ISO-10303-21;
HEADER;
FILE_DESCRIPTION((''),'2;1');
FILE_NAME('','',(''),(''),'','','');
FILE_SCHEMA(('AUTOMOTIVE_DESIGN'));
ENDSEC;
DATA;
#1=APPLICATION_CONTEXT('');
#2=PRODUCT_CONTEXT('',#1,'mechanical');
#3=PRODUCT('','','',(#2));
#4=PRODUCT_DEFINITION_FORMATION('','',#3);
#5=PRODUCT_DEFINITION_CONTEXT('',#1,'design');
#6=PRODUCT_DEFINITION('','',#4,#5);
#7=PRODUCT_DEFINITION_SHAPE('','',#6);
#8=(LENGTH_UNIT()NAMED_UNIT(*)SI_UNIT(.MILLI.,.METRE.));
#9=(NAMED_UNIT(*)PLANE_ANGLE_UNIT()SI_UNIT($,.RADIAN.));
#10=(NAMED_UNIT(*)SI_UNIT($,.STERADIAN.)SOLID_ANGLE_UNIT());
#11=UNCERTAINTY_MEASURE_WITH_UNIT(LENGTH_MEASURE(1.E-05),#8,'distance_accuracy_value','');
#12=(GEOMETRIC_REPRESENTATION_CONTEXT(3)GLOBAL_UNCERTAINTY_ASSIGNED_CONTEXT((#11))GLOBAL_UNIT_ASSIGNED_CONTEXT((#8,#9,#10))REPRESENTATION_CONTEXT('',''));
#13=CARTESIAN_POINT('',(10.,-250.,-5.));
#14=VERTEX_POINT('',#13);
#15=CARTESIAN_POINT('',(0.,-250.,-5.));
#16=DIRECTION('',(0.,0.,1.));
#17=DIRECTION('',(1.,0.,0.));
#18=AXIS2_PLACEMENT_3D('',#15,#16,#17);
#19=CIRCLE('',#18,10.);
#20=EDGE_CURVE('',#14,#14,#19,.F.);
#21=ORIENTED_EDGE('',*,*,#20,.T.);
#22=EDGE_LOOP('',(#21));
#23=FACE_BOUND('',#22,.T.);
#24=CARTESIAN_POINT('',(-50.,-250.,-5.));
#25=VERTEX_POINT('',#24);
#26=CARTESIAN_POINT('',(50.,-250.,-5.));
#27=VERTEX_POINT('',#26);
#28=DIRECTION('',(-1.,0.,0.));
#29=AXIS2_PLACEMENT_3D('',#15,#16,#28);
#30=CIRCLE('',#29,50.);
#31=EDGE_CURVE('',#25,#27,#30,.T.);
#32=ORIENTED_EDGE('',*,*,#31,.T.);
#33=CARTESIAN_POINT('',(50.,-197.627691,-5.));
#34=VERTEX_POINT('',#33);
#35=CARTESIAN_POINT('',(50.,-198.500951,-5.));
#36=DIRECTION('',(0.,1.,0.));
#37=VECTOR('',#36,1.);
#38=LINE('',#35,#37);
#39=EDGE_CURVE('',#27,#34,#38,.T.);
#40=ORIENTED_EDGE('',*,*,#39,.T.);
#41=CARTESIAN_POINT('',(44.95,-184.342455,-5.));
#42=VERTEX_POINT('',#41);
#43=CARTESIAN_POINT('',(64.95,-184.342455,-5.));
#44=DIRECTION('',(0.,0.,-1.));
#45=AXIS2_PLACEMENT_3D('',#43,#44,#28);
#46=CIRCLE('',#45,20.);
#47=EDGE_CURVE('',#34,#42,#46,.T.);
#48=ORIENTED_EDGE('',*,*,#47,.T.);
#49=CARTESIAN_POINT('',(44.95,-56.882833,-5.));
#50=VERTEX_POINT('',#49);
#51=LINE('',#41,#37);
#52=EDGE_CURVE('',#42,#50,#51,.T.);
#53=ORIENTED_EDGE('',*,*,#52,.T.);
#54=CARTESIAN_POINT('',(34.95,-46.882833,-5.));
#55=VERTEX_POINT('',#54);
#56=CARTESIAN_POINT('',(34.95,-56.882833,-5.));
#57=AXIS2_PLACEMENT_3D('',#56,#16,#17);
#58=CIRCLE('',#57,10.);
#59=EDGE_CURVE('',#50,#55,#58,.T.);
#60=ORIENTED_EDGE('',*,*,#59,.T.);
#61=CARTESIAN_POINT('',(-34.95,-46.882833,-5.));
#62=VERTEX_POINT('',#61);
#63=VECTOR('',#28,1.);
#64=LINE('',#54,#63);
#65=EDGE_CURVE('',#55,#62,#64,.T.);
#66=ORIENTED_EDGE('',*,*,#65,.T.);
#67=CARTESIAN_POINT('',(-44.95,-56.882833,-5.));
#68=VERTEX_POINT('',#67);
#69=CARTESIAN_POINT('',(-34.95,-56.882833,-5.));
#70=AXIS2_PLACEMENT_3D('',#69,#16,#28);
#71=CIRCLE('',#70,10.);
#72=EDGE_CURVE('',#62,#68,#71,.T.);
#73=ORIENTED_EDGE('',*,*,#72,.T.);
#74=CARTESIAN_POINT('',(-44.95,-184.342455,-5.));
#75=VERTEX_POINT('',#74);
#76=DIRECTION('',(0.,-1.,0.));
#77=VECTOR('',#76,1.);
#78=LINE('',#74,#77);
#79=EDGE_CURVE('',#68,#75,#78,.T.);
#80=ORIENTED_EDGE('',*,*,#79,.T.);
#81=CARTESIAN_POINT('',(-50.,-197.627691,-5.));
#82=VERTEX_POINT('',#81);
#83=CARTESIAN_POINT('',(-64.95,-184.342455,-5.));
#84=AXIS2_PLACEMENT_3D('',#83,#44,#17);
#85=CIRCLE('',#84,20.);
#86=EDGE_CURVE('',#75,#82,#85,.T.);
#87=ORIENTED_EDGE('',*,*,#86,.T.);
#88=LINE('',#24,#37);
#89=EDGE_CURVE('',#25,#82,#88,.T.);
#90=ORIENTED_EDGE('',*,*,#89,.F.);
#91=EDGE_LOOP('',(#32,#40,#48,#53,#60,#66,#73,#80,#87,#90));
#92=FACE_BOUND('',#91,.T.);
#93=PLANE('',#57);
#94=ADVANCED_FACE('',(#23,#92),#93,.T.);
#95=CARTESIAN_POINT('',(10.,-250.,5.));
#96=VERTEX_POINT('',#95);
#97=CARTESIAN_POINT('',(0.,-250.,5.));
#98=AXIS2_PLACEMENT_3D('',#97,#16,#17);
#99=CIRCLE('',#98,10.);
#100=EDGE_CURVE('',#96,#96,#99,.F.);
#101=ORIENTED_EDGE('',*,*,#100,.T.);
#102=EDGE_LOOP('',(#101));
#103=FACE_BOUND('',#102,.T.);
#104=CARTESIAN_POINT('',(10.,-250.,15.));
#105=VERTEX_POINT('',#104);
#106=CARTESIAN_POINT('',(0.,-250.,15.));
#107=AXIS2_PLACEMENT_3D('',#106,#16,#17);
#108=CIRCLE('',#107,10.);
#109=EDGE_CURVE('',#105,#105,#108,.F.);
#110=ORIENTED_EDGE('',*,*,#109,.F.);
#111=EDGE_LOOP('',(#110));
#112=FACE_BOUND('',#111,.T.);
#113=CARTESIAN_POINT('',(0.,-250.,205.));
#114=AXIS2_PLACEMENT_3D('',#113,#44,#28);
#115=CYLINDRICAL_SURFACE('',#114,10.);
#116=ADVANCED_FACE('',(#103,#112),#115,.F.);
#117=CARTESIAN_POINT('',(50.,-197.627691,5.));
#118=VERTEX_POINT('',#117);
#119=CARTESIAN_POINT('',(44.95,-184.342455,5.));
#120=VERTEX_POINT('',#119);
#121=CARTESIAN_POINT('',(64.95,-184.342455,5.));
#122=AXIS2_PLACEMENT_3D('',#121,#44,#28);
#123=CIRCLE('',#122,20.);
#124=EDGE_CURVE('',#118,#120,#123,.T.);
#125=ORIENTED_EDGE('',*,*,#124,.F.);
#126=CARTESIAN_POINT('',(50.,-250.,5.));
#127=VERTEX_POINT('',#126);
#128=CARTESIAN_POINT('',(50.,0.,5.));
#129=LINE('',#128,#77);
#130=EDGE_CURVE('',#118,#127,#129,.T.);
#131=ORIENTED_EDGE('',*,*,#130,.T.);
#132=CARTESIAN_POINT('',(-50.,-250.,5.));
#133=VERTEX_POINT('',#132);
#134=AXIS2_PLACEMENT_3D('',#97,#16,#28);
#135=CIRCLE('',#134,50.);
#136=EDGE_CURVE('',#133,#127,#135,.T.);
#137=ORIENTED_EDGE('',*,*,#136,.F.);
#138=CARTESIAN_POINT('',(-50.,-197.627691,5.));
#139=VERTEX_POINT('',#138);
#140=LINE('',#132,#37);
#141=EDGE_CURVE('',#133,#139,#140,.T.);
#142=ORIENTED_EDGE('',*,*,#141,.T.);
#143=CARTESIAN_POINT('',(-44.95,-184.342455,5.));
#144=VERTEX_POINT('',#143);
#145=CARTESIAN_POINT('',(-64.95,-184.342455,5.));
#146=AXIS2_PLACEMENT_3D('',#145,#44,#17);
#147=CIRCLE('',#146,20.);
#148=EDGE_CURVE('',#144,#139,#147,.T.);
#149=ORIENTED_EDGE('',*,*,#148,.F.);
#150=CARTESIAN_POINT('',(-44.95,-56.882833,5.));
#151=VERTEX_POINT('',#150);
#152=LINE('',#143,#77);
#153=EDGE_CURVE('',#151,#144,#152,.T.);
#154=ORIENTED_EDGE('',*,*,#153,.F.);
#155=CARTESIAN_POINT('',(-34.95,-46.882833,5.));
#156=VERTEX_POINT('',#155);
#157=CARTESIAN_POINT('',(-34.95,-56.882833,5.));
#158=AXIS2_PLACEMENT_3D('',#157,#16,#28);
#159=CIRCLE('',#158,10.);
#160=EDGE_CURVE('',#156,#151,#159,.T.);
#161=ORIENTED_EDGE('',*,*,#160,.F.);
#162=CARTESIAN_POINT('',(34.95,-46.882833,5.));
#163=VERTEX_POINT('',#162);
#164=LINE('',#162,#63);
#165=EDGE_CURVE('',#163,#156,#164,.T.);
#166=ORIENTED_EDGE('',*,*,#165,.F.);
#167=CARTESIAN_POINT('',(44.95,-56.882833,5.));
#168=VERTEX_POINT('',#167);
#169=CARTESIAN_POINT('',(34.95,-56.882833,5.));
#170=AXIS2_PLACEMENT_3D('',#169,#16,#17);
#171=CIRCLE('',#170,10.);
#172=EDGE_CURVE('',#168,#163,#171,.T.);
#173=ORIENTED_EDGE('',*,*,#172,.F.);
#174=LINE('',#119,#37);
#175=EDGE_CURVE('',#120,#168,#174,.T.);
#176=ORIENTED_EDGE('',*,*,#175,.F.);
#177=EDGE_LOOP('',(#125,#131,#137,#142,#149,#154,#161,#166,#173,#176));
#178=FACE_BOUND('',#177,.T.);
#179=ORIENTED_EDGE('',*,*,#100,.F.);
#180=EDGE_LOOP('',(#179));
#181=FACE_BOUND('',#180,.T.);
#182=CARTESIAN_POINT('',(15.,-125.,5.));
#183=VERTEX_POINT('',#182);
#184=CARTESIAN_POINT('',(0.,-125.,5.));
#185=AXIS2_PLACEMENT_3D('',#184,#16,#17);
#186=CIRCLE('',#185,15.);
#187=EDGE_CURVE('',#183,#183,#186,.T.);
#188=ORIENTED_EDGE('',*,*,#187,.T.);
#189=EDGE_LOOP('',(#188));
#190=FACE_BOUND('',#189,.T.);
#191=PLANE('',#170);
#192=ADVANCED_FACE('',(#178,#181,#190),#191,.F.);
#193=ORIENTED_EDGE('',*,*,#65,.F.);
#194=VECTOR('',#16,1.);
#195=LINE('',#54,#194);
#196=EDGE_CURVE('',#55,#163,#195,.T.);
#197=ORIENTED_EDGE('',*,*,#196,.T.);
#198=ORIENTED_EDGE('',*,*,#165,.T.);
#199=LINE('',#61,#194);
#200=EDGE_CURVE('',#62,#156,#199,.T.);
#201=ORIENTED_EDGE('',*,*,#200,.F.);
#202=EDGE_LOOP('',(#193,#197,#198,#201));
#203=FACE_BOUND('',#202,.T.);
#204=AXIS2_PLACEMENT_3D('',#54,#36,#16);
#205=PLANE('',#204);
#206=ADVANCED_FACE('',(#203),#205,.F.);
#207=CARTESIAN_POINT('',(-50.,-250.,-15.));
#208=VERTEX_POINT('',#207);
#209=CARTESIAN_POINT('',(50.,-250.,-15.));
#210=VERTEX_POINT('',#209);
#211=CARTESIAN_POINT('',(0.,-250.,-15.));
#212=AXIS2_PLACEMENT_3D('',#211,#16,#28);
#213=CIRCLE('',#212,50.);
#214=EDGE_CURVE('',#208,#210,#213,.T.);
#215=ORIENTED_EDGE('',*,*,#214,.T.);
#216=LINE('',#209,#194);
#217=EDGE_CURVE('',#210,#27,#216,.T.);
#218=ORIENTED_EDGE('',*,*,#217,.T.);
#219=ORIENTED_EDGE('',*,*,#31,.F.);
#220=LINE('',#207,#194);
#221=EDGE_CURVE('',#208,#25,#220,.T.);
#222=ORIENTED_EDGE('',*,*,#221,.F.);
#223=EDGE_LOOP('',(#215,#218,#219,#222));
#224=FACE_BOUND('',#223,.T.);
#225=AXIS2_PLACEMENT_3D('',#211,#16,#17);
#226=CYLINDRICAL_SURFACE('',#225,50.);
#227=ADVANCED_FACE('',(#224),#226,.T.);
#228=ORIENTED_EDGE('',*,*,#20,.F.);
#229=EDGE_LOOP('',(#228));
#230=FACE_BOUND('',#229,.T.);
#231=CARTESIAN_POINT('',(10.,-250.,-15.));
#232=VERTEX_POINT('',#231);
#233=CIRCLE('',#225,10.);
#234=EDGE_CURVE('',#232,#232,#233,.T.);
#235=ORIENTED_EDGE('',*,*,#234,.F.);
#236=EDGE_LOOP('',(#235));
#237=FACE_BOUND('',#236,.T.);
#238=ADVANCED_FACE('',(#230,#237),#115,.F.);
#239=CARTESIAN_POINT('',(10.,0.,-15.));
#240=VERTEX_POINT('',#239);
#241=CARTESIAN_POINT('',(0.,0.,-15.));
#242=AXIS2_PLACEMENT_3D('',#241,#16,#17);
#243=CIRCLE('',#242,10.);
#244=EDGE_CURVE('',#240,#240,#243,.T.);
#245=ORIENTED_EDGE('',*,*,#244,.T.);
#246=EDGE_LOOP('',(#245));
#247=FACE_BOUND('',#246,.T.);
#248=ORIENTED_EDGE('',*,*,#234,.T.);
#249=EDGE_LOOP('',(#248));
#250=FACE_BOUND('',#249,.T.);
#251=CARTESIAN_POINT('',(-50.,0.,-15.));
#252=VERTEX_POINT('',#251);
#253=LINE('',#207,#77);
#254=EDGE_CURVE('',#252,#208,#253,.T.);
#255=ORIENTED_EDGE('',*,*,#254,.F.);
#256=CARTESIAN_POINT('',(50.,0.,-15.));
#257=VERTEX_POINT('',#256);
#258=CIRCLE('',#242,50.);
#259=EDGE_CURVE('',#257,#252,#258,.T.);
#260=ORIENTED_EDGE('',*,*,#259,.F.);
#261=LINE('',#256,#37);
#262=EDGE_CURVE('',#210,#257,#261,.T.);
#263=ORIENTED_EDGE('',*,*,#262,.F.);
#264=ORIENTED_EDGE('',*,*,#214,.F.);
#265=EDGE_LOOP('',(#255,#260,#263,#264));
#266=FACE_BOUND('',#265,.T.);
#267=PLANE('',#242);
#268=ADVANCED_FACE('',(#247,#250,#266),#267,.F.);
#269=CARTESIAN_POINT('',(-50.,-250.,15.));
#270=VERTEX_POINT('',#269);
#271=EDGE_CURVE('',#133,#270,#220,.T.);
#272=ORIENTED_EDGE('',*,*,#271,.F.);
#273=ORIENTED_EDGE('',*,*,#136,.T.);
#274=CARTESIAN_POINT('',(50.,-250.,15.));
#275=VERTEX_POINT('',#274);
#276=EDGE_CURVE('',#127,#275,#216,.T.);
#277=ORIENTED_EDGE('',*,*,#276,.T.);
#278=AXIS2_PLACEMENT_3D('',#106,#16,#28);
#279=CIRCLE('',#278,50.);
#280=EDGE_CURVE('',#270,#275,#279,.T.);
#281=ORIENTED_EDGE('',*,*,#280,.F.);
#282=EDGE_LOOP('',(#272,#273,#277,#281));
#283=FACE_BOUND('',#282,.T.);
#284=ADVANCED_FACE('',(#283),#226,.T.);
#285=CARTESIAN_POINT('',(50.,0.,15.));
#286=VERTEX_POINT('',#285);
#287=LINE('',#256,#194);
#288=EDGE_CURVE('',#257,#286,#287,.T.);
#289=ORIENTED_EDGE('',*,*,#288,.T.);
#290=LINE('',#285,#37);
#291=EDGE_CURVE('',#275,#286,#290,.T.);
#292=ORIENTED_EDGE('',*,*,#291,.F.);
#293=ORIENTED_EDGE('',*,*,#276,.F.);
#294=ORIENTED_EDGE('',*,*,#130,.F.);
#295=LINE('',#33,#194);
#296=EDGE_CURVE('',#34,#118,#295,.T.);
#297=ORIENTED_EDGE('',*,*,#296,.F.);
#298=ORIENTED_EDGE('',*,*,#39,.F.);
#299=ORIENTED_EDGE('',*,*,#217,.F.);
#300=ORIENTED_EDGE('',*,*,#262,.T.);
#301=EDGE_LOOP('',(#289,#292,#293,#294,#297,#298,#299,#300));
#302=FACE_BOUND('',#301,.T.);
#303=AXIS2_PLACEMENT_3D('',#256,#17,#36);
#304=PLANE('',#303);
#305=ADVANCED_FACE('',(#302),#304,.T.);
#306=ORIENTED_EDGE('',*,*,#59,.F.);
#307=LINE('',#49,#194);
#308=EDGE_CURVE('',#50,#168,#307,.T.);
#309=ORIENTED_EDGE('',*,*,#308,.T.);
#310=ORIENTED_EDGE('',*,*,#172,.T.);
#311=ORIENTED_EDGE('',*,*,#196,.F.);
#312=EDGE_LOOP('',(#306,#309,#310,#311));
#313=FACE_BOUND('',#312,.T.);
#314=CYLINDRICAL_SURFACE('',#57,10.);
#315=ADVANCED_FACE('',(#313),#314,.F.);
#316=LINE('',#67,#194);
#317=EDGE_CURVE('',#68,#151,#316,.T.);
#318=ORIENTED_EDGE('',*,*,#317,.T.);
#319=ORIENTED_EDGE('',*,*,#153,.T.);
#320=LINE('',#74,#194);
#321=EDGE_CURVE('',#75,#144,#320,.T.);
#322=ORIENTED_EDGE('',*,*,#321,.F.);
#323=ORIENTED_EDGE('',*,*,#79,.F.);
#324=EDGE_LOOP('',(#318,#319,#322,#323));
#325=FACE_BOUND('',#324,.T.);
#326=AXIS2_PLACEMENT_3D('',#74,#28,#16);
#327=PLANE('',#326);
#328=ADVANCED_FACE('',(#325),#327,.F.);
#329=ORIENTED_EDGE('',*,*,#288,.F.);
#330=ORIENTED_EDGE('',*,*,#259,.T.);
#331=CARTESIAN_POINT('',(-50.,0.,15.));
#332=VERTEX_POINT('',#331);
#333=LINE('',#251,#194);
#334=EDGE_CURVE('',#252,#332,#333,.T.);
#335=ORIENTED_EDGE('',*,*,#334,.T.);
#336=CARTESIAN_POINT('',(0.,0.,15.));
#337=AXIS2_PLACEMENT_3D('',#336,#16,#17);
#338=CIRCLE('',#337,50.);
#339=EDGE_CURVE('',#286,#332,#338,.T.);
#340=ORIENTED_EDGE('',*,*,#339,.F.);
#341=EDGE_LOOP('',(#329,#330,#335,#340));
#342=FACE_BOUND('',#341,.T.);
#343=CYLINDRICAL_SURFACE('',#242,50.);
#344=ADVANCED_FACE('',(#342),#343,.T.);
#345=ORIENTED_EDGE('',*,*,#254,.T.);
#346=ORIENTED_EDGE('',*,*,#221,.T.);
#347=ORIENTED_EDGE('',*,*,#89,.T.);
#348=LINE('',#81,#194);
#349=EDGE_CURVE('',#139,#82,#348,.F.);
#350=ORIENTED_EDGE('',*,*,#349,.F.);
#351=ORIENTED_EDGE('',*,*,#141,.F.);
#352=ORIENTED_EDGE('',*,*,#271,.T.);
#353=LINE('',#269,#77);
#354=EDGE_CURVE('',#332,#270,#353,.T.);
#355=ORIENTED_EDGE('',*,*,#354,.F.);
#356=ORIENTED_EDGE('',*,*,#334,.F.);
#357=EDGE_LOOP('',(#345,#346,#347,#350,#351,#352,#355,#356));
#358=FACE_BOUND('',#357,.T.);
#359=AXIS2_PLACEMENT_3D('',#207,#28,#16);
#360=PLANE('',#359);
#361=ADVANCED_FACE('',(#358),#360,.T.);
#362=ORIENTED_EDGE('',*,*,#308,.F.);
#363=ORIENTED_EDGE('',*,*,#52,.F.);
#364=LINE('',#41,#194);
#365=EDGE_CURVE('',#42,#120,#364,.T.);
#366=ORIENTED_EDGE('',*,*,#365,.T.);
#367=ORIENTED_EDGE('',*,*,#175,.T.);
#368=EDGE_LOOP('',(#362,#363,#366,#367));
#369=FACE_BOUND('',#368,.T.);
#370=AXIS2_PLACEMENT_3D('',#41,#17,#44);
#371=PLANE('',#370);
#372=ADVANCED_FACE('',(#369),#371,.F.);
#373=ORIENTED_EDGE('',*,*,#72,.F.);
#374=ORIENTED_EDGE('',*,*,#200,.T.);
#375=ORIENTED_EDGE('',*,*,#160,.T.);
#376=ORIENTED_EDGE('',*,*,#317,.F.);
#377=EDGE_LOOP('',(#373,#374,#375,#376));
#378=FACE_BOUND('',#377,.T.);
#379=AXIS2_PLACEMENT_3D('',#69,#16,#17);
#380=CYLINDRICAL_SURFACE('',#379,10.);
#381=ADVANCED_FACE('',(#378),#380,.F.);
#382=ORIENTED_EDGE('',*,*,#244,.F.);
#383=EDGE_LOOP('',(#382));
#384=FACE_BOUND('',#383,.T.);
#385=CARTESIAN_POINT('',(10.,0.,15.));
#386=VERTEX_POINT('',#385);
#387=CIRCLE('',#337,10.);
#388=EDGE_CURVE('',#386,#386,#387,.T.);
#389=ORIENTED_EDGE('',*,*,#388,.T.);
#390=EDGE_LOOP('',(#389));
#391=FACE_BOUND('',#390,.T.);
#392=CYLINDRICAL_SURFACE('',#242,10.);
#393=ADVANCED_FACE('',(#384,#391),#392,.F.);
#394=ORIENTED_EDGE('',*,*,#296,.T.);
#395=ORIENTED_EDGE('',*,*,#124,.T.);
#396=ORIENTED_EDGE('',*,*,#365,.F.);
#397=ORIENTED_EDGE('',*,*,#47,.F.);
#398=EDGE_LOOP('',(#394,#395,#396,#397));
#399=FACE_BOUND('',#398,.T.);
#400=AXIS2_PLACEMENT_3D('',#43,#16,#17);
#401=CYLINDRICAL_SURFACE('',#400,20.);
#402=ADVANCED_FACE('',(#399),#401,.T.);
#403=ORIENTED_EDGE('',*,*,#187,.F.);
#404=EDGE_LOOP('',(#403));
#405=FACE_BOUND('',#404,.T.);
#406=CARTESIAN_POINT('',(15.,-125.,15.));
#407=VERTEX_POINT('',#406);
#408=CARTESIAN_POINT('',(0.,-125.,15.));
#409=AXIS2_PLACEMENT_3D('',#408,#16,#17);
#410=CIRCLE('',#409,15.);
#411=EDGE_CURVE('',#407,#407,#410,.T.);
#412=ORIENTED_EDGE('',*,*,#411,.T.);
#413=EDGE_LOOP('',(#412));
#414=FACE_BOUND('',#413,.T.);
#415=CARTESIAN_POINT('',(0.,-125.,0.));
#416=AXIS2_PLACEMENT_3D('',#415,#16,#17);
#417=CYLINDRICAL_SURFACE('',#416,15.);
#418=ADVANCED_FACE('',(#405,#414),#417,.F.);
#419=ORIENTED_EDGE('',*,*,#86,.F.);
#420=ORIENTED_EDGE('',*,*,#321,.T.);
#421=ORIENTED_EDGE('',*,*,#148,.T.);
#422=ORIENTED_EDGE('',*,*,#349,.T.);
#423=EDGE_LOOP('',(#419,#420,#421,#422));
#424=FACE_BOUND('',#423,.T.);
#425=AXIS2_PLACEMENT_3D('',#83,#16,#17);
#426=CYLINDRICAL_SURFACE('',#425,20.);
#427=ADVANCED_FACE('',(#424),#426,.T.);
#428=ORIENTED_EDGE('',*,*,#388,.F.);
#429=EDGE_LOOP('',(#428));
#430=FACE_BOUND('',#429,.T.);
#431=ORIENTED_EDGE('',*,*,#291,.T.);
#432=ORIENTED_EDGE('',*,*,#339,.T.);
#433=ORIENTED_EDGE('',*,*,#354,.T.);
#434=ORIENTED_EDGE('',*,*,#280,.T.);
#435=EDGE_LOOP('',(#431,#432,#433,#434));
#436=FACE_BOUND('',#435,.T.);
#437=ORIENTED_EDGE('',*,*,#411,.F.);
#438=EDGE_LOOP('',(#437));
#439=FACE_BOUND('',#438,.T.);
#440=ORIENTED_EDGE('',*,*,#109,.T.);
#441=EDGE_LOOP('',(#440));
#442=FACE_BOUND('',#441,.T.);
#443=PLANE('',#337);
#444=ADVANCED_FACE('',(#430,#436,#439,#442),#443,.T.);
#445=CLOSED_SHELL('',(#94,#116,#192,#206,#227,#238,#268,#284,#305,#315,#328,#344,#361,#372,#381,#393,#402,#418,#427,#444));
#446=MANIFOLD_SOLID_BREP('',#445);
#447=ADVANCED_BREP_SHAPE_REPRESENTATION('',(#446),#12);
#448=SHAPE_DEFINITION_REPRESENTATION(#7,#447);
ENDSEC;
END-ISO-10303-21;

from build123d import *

# Parameters (mm, degrees)
BOSS_EXTRU_2_DEPTH           = 15
ENL_V_MAT_EXTRU_1_DEPTH      = 5
ESQUISSE3_R                  = 10
ENL_V_MAT_EXTRU_2_DEPTH      = 306.614135799
ESQUISSE5_R                  = 15
ENL_V_MAT_EXTRU_3_DEPTH      = 15
ENL_V_MAT_EXTRU_4_DEPTH      = 210
ENL_V_MAT_EXTRU_4_DEPTH_BACK = 305.795013083
ESQUISSE4_R                  = 10


with BuildPart() as part:
    # Esquisse1 → Boss.-Extru.2 (new, symmetric)
    with BuildSketch(Plane.XY):
        with BuildLine():
            Line((50, 0), (50, -250))
            ThreePointArc((50, -250), (0, -300), (-50, -250))
            Line((-50, -250), (-50, 0))
            ThreePointArc((-50, 0), (0, 50), (50, 0))
        make_face()
    extrude(amount=BOSS_EXTRU_2_DEPTH, both=True)

    # Esquisse2 → Enlèv. mat.-Extru.1 (cut, symmetric)
    with BuildSketch(Plane.XY):
        with BuildLine():
            Line((44.95, -184.342455173), (44.95, -56.882832679))
            ThreePointArc((44.95, -56.882832679), (42.021067812, -49.811764867), (34.95, -46.882832679))
            Line((34.95, -46.882832679), (-34.95, -46.882832679))
            ThreePointArc((-34.95, -46.882832679), (-42.021067812, -49.811764867), (-44.95, -56.882832679))
            Line((-44.95, -56.882832679), (-44.95, -184.342455173))
            ThreePointArc((-44.95, -184.342455173), (-47.390043652, -193.91574787), (-54.114793306, -201.153115359))
            Line((-54.114793306, -201.153115359), (-50, -198.500950871))
            Line((-50, -198.500950871), (-50, -250))
            ThreePointArc((-50, -250), (0, -300), (50, -250))
            Line((50, -250), (50, -198.500950871))
            Line((50, -198.500950871), (54.114793306, -201.153115359))
            ThreePointArc((54.114793306, -201.153115359), (47.390043652, -193.91574787), (44.95, -184.342455173))
        make_face()
    extrude(amount=ENL_V_MAT_EXTRU_1_DEPTH, both=True, mode=Mode.SUBTRACT)

    # Esquisse3 → Enlèv. mat.-Extru.2 (cut, through all)
    with BuildSketch(Plane.XY.offset(15)):
        Circle(ESQUISSE3_R)
    extrude(amount=-ENL_V_MAT_EXTRU_2_DEPTH, mode=Mode.SUBTRACT)

    # Esquisse5 → Enlèv. mat.-Extru.3 (cut)
    with BuildSketch(Plane.XY.offset(15)):
        with Locations((0, -125)):
            Circle(ESQUISSE5_R)
    extrude(amount=-ENL_V_MAT_EXTRU_3_DEPTH, mode=Mode.SUBTRACT)

    # Esquisse4 → Enlèv. mat.-Extru.4 (cut, two sides: drawn at the far end of the back side and taken through both)
    with BuildSketch(Plane.XY.offset(-5).offset(-ENL_V_MAT_EXTRU_4_DEPTH_BACK)):
        with Locations((0, -250)):
            Circle(ESQUISSE4_R)
    extrude(amount=ENL_V_MAT_EXTRU_4_DEPTH + ENL_V_MAT_EXTRU_4_DEPTH_BACK, mode=Mode.SUBTRACT)


solid = part.part
